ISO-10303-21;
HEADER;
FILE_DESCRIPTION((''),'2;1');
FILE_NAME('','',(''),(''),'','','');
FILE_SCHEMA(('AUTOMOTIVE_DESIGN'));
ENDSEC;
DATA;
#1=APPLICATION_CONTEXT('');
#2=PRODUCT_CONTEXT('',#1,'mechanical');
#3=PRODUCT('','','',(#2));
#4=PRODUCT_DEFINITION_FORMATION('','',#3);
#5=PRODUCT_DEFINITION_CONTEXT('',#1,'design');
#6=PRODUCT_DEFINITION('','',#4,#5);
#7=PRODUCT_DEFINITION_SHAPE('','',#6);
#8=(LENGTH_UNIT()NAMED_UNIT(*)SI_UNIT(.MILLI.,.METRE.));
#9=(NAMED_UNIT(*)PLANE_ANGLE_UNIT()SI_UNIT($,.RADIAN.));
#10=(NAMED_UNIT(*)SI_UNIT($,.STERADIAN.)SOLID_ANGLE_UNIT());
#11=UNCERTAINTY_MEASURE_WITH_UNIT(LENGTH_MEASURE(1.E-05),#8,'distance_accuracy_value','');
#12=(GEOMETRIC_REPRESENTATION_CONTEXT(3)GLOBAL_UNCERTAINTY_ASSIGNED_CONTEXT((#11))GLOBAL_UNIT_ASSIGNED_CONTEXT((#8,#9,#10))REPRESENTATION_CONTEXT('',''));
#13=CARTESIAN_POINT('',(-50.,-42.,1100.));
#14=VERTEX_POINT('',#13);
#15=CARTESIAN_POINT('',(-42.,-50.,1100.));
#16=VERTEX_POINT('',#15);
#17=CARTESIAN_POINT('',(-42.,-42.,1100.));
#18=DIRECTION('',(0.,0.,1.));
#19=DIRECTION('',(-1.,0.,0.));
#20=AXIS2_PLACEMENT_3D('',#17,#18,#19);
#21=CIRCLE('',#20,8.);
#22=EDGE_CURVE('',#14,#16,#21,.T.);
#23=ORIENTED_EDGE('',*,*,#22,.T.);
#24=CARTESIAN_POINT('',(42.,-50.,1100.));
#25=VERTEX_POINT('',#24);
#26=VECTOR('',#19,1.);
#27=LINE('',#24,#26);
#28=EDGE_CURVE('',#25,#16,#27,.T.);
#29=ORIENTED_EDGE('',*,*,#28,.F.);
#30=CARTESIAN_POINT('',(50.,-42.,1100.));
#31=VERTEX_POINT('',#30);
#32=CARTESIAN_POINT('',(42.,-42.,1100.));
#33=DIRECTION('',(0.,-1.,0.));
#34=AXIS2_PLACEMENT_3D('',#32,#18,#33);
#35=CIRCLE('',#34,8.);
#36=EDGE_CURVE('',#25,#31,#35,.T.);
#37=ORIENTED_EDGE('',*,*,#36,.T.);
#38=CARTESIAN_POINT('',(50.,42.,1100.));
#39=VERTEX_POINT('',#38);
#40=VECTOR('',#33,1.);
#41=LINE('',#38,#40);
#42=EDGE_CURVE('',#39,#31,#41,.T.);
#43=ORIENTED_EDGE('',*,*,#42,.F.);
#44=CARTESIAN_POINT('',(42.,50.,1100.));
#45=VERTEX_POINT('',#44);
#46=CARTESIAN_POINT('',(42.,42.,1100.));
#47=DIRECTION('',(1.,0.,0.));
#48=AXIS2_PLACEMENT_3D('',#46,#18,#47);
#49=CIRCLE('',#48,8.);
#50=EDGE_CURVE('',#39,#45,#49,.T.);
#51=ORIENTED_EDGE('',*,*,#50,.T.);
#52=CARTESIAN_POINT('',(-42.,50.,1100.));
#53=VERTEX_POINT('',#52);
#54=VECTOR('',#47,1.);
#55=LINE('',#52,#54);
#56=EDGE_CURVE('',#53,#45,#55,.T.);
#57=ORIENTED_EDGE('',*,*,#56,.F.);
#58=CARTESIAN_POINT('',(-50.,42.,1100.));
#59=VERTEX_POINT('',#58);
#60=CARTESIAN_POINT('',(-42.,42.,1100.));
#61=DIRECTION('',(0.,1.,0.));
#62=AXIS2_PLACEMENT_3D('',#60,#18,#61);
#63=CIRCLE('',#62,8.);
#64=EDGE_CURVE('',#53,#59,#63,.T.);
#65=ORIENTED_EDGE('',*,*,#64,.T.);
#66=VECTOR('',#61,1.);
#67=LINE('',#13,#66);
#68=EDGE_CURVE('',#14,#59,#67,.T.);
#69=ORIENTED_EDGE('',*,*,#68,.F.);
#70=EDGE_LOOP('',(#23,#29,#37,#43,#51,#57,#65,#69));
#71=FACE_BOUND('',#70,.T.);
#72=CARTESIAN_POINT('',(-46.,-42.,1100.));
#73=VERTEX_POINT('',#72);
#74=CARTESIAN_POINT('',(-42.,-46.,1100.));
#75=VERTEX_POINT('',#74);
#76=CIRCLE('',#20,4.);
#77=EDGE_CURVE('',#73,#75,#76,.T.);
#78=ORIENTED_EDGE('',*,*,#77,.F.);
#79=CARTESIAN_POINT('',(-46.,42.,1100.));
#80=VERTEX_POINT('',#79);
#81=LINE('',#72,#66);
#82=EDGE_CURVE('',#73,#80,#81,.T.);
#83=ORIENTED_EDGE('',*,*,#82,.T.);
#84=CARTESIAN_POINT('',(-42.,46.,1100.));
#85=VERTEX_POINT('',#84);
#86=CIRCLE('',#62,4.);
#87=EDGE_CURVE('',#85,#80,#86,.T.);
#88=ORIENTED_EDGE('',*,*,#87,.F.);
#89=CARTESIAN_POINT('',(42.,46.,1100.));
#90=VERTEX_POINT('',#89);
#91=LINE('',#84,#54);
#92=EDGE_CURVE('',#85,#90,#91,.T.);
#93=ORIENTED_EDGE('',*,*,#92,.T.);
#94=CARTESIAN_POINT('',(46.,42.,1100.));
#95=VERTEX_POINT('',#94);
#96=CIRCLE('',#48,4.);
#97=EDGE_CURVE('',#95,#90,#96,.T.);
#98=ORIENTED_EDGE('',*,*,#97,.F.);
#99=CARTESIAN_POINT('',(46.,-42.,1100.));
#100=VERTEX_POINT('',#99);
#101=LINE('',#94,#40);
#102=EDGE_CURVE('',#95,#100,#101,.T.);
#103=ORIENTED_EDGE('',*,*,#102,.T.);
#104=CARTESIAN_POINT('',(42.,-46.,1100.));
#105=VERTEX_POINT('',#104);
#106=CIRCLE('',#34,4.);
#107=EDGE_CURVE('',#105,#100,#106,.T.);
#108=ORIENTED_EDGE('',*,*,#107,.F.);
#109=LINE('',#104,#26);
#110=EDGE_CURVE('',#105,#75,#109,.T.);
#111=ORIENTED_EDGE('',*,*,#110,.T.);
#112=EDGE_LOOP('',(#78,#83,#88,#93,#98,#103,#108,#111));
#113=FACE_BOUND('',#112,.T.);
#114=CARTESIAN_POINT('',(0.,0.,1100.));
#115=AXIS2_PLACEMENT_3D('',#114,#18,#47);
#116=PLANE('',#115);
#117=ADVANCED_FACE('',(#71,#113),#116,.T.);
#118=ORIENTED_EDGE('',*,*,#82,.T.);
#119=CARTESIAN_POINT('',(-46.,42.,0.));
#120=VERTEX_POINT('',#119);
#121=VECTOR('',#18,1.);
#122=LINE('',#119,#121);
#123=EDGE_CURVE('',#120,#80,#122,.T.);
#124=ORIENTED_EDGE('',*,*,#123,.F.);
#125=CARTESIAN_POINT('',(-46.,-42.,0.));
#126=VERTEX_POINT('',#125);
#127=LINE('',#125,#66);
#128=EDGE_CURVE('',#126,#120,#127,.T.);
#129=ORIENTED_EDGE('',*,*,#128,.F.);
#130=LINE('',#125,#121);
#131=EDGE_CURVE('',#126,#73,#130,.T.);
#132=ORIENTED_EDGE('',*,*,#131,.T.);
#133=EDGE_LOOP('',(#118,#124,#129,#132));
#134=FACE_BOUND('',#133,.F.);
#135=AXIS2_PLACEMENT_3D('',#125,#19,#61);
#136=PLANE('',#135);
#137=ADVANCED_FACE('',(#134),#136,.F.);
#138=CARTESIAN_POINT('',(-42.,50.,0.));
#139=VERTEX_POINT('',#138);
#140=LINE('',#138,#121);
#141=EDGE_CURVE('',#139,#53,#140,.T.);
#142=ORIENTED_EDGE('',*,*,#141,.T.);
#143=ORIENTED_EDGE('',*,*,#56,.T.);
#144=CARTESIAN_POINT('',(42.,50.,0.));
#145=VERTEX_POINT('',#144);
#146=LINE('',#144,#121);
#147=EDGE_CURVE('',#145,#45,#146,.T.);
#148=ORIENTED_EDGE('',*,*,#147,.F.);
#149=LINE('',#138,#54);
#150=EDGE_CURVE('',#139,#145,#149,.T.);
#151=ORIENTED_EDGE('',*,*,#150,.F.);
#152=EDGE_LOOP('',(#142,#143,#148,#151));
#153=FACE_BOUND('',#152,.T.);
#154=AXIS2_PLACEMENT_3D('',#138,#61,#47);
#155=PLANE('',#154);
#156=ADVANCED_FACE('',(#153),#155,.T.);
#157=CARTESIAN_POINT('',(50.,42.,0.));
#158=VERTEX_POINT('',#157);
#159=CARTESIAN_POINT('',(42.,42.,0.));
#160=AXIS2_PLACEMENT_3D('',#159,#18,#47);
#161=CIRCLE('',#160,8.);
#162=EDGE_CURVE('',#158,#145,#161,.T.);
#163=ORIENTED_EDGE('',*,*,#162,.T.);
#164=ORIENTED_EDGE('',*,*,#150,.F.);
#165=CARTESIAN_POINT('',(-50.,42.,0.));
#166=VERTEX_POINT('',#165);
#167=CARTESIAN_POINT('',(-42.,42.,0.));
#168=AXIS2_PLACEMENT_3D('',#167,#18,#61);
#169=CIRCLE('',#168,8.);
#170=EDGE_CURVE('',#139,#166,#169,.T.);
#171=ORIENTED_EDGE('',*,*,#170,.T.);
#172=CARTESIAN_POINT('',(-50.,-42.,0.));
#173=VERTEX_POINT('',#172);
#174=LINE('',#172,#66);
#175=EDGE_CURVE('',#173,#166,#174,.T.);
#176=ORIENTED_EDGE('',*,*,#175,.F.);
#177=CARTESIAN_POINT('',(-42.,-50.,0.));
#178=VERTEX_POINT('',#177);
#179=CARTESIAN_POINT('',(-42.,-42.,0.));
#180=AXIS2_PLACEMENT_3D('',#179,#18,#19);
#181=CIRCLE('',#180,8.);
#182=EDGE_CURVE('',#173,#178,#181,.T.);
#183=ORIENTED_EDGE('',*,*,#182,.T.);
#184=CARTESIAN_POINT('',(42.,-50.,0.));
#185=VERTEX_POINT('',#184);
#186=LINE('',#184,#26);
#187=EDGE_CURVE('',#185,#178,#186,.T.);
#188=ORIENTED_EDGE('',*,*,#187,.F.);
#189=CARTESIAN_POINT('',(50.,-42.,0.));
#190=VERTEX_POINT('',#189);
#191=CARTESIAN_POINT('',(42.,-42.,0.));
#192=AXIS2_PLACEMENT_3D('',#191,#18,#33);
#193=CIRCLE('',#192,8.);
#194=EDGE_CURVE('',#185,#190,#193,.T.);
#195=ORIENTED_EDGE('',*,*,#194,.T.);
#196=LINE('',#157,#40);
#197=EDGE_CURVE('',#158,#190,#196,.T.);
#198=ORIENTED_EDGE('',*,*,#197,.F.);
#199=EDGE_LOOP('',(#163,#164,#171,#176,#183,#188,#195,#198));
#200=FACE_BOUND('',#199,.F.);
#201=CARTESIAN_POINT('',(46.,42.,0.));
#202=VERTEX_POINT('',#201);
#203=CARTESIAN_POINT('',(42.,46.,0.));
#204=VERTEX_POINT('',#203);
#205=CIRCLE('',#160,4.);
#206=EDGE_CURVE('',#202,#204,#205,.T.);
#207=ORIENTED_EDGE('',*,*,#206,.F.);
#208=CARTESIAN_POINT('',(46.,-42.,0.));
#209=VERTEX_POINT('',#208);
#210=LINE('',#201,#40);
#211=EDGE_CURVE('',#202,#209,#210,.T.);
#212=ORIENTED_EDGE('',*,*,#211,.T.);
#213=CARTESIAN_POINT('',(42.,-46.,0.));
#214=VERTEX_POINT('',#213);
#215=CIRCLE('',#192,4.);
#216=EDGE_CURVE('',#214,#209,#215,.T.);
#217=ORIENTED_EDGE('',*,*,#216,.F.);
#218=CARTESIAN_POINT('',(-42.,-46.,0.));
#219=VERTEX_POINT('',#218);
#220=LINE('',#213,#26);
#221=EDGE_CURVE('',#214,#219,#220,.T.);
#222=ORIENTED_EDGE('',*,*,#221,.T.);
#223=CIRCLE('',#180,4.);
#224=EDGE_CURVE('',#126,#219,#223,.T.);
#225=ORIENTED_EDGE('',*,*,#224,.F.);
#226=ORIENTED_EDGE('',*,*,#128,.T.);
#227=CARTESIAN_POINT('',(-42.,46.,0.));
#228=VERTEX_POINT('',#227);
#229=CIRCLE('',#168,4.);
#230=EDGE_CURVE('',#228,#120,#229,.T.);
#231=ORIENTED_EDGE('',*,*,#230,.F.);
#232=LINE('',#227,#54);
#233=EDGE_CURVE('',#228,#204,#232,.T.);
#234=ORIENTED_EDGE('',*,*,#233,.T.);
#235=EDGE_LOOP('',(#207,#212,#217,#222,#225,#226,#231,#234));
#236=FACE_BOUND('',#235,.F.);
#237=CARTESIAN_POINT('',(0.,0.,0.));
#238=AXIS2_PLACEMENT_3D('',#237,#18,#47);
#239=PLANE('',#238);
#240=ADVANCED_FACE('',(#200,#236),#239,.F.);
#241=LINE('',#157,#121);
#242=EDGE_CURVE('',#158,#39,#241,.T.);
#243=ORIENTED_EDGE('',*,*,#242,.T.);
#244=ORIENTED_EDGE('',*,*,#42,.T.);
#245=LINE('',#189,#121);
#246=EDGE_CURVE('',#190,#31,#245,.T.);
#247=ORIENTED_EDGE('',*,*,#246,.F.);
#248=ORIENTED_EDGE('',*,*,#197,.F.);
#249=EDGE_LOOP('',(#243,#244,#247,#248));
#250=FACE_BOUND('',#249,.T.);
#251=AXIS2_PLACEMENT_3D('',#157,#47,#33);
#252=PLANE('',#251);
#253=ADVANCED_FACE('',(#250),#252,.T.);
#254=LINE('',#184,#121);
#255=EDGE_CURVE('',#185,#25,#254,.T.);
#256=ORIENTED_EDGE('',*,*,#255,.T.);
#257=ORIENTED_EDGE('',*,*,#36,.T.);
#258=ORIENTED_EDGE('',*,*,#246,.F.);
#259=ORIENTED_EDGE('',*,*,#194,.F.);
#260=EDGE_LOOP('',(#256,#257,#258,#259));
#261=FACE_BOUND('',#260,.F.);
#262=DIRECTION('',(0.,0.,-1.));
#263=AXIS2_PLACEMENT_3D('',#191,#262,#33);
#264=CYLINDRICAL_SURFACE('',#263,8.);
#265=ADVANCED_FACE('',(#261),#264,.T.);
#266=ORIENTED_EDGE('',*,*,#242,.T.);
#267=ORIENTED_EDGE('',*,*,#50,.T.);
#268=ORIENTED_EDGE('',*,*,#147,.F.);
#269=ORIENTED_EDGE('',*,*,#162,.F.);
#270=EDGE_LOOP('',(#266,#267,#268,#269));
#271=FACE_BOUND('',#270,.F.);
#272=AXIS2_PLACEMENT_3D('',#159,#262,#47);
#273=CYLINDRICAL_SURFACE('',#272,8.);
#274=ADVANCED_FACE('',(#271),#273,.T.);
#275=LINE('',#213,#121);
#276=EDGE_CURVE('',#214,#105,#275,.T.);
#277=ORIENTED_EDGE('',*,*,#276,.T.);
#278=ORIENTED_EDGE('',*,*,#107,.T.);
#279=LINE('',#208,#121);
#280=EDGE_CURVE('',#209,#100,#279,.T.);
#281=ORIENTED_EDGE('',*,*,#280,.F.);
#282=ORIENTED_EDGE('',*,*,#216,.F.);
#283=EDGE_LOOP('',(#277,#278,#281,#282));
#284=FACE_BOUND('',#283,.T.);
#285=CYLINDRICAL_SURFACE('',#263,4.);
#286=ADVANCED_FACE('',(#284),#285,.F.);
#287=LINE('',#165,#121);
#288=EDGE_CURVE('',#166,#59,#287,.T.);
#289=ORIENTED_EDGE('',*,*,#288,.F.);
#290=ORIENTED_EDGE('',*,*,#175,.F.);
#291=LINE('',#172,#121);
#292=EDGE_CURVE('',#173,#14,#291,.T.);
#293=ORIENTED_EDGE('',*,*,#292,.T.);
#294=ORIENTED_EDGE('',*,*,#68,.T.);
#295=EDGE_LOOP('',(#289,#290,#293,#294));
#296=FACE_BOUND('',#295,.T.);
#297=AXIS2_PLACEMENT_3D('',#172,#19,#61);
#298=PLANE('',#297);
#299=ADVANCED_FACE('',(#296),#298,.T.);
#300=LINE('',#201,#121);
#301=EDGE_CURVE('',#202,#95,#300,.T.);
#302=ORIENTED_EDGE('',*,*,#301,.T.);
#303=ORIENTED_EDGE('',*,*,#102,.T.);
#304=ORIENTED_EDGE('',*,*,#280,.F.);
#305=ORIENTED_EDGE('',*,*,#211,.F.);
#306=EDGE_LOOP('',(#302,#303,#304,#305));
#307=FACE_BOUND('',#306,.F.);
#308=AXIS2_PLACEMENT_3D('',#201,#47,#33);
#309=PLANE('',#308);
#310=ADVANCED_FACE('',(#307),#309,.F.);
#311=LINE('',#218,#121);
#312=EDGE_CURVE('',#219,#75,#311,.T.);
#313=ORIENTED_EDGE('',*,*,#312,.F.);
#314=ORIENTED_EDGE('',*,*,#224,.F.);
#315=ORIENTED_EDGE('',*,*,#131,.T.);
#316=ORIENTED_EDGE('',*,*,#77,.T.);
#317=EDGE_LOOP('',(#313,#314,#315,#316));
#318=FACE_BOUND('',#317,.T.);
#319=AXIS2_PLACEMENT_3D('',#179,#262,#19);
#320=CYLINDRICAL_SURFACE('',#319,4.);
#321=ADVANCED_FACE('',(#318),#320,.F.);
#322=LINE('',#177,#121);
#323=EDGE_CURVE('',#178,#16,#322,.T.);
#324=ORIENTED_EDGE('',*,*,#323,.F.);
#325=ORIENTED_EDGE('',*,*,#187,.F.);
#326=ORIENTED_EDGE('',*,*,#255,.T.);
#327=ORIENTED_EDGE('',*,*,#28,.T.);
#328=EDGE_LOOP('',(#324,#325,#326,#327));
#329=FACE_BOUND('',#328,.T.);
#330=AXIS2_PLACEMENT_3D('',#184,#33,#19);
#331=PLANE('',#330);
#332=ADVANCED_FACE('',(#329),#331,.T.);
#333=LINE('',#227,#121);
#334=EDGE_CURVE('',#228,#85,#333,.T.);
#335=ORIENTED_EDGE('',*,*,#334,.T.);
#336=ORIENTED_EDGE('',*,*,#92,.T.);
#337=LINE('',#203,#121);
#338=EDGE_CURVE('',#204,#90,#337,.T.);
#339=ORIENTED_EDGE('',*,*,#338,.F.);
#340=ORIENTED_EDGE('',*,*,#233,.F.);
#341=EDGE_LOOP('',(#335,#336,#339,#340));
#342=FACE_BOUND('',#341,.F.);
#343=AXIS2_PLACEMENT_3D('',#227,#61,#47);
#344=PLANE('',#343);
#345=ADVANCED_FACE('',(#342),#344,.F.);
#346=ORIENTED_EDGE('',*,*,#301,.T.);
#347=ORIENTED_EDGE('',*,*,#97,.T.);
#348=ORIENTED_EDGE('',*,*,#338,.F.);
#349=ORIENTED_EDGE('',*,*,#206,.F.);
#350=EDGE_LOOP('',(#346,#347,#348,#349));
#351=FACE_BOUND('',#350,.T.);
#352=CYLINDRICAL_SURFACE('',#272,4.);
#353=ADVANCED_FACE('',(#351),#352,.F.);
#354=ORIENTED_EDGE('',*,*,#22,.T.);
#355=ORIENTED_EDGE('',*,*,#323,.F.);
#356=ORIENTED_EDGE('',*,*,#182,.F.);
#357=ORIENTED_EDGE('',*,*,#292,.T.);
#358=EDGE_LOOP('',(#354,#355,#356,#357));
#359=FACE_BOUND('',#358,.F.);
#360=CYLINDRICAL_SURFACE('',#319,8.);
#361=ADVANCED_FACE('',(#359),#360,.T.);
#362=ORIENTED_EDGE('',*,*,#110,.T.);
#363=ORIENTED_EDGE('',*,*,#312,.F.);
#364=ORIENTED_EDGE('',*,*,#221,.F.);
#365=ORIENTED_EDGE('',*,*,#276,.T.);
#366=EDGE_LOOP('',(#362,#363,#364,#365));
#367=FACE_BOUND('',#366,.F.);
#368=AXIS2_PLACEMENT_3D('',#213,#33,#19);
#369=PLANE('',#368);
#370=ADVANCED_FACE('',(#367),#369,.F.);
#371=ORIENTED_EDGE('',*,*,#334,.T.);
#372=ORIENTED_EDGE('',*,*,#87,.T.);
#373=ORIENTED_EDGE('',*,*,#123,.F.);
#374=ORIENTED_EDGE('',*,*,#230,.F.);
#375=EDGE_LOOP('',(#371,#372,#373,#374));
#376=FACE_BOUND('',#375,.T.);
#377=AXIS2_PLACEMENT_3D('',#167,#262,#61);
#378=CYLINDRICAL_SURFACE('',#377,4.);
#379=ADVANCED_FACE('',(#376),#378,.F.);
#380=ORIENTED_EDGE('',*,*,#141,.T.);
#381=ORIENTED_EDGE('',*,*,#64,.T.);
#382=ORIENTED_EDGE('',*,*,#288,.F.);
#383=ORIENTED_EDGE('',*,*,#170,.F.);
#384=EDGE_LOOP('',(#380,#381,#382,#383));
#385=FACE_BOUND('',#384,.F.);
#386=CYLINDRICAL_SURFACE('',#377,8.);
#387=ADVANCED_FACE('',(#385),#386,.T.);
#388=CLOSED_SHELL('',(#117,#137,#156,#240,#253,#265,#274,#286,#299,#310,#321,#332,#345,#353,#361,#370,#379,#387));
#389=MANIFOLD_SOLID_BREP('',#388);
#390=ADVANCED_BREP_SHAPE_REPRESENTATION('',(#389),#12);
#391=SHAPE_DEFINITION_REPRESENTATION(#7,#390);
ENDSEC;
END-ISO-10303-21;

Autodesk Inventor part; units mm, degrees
ref_plane "YZ Plane" through (0, 0, 0) normal (1, 0, 0) x (0, 1, 0)
ref_plane "Start Plane" through (0, 0, 0) normal (0, 0, 1) x (1, 0, 0)
ref_plane "End Plane" through (0, 0, 1100) normal (0, 0, 1) x (1, 0, 0)
sketch "Sketch" plane through (0, 0, 0) normal (0, 0, 1) x (1, 0, 0)
  line L0 (-50, -42) -> (-50, 42)
  line L1 (-42, 50) -> (42, 50)
  line L2 (50, 42) -> (50, -42)
  line L3 (42, -50) -> (-42, -50)
  arc A0 (-50, -42) -> (-42, -50) centre (-42, -42) ccw
  arc A1 (50, 42) -> (42, 50) centre (42, 42) ccw
  arc A2 (-42, 50) -> (-50, 42) centre (-42, 42) ccw
  arc A3 (42, -50) -> (50, -42) centre (42, -42) ccw
  arc A4 (-42, 46) -> (-46, 42) centre (-42, 42) ccw
  line L4 (-42, 46) -> (42, 46)
  arc A5 (46, 42) -> (42, 46) centre (42, 42) ccw
  line L5 (46, 42) -> (46, -42)
  arc A6 (42, -46) -> (46, -42) centre (42, -42) ccw
  line L6 (42, -46) -> (-42, -46)
  arc A7 (-46, -42) -> (-42, -46) centre (-42, -42) ccw
  line L7 (-46, -42) -> (-46, 42)
  line L8 (0, 72.3196) -> (0, -72.3196) construction
  line L9 (-72.3196, 0) -> (72.3196, 0) construction
  dimension "d7" = 8
  dimension "d9" = 100
  dimension "d11" = 100
  dimension "d12" = 4
  dimension "d15" = 50
  dimension "d16" = 50
extrude "Body" add sketch "Sketch" along normal up to surface (1100 mm away) from surface at 0
sketch "Sketch3" plane through (0, 0, 0) normal (0, 0, 1) x (1, 0, 0)
  line L0 (0, 0) -> (10, 0)
ref_plane "Work Plane3" through (0, 0, 0) normal (0, -1, 0) x (1, 0, 0)
sketch "Sketch4" plane through (0, 0, 0) normal (0, -1, 0) x (1, 0, 0)
  line L0 (-2, 0) -> (12, 0) projected
  line L1 (-2, 1100) -> (12, 1100) projected
  dimension "d18" = 1100
equation "\"d7\" = G_IR"
equation "\"d9\" = G_W"
equation "\"d11\" = G_H"
equation "\"d12\" = G_T"
equation "\"d15\" = 0.5 * d9"
equation "\"d16\" = 0.5 * d11"
equation "\"d3\" = G_L"
equation "\"G_W\" = 100"
equation "\"G_H\" = 100"
equation "\"G_T\" = 4"
equation "\"G_IR\" = 8"
equation "\"G_L\" = d18"
equation "\"G_OFFSET_START\" = 0"
equation "\"G_OFFSET_END\" = 0"
properties part number "ISO 10799-2 - 100x100x4 - 1100" material "Steel, Mild"
